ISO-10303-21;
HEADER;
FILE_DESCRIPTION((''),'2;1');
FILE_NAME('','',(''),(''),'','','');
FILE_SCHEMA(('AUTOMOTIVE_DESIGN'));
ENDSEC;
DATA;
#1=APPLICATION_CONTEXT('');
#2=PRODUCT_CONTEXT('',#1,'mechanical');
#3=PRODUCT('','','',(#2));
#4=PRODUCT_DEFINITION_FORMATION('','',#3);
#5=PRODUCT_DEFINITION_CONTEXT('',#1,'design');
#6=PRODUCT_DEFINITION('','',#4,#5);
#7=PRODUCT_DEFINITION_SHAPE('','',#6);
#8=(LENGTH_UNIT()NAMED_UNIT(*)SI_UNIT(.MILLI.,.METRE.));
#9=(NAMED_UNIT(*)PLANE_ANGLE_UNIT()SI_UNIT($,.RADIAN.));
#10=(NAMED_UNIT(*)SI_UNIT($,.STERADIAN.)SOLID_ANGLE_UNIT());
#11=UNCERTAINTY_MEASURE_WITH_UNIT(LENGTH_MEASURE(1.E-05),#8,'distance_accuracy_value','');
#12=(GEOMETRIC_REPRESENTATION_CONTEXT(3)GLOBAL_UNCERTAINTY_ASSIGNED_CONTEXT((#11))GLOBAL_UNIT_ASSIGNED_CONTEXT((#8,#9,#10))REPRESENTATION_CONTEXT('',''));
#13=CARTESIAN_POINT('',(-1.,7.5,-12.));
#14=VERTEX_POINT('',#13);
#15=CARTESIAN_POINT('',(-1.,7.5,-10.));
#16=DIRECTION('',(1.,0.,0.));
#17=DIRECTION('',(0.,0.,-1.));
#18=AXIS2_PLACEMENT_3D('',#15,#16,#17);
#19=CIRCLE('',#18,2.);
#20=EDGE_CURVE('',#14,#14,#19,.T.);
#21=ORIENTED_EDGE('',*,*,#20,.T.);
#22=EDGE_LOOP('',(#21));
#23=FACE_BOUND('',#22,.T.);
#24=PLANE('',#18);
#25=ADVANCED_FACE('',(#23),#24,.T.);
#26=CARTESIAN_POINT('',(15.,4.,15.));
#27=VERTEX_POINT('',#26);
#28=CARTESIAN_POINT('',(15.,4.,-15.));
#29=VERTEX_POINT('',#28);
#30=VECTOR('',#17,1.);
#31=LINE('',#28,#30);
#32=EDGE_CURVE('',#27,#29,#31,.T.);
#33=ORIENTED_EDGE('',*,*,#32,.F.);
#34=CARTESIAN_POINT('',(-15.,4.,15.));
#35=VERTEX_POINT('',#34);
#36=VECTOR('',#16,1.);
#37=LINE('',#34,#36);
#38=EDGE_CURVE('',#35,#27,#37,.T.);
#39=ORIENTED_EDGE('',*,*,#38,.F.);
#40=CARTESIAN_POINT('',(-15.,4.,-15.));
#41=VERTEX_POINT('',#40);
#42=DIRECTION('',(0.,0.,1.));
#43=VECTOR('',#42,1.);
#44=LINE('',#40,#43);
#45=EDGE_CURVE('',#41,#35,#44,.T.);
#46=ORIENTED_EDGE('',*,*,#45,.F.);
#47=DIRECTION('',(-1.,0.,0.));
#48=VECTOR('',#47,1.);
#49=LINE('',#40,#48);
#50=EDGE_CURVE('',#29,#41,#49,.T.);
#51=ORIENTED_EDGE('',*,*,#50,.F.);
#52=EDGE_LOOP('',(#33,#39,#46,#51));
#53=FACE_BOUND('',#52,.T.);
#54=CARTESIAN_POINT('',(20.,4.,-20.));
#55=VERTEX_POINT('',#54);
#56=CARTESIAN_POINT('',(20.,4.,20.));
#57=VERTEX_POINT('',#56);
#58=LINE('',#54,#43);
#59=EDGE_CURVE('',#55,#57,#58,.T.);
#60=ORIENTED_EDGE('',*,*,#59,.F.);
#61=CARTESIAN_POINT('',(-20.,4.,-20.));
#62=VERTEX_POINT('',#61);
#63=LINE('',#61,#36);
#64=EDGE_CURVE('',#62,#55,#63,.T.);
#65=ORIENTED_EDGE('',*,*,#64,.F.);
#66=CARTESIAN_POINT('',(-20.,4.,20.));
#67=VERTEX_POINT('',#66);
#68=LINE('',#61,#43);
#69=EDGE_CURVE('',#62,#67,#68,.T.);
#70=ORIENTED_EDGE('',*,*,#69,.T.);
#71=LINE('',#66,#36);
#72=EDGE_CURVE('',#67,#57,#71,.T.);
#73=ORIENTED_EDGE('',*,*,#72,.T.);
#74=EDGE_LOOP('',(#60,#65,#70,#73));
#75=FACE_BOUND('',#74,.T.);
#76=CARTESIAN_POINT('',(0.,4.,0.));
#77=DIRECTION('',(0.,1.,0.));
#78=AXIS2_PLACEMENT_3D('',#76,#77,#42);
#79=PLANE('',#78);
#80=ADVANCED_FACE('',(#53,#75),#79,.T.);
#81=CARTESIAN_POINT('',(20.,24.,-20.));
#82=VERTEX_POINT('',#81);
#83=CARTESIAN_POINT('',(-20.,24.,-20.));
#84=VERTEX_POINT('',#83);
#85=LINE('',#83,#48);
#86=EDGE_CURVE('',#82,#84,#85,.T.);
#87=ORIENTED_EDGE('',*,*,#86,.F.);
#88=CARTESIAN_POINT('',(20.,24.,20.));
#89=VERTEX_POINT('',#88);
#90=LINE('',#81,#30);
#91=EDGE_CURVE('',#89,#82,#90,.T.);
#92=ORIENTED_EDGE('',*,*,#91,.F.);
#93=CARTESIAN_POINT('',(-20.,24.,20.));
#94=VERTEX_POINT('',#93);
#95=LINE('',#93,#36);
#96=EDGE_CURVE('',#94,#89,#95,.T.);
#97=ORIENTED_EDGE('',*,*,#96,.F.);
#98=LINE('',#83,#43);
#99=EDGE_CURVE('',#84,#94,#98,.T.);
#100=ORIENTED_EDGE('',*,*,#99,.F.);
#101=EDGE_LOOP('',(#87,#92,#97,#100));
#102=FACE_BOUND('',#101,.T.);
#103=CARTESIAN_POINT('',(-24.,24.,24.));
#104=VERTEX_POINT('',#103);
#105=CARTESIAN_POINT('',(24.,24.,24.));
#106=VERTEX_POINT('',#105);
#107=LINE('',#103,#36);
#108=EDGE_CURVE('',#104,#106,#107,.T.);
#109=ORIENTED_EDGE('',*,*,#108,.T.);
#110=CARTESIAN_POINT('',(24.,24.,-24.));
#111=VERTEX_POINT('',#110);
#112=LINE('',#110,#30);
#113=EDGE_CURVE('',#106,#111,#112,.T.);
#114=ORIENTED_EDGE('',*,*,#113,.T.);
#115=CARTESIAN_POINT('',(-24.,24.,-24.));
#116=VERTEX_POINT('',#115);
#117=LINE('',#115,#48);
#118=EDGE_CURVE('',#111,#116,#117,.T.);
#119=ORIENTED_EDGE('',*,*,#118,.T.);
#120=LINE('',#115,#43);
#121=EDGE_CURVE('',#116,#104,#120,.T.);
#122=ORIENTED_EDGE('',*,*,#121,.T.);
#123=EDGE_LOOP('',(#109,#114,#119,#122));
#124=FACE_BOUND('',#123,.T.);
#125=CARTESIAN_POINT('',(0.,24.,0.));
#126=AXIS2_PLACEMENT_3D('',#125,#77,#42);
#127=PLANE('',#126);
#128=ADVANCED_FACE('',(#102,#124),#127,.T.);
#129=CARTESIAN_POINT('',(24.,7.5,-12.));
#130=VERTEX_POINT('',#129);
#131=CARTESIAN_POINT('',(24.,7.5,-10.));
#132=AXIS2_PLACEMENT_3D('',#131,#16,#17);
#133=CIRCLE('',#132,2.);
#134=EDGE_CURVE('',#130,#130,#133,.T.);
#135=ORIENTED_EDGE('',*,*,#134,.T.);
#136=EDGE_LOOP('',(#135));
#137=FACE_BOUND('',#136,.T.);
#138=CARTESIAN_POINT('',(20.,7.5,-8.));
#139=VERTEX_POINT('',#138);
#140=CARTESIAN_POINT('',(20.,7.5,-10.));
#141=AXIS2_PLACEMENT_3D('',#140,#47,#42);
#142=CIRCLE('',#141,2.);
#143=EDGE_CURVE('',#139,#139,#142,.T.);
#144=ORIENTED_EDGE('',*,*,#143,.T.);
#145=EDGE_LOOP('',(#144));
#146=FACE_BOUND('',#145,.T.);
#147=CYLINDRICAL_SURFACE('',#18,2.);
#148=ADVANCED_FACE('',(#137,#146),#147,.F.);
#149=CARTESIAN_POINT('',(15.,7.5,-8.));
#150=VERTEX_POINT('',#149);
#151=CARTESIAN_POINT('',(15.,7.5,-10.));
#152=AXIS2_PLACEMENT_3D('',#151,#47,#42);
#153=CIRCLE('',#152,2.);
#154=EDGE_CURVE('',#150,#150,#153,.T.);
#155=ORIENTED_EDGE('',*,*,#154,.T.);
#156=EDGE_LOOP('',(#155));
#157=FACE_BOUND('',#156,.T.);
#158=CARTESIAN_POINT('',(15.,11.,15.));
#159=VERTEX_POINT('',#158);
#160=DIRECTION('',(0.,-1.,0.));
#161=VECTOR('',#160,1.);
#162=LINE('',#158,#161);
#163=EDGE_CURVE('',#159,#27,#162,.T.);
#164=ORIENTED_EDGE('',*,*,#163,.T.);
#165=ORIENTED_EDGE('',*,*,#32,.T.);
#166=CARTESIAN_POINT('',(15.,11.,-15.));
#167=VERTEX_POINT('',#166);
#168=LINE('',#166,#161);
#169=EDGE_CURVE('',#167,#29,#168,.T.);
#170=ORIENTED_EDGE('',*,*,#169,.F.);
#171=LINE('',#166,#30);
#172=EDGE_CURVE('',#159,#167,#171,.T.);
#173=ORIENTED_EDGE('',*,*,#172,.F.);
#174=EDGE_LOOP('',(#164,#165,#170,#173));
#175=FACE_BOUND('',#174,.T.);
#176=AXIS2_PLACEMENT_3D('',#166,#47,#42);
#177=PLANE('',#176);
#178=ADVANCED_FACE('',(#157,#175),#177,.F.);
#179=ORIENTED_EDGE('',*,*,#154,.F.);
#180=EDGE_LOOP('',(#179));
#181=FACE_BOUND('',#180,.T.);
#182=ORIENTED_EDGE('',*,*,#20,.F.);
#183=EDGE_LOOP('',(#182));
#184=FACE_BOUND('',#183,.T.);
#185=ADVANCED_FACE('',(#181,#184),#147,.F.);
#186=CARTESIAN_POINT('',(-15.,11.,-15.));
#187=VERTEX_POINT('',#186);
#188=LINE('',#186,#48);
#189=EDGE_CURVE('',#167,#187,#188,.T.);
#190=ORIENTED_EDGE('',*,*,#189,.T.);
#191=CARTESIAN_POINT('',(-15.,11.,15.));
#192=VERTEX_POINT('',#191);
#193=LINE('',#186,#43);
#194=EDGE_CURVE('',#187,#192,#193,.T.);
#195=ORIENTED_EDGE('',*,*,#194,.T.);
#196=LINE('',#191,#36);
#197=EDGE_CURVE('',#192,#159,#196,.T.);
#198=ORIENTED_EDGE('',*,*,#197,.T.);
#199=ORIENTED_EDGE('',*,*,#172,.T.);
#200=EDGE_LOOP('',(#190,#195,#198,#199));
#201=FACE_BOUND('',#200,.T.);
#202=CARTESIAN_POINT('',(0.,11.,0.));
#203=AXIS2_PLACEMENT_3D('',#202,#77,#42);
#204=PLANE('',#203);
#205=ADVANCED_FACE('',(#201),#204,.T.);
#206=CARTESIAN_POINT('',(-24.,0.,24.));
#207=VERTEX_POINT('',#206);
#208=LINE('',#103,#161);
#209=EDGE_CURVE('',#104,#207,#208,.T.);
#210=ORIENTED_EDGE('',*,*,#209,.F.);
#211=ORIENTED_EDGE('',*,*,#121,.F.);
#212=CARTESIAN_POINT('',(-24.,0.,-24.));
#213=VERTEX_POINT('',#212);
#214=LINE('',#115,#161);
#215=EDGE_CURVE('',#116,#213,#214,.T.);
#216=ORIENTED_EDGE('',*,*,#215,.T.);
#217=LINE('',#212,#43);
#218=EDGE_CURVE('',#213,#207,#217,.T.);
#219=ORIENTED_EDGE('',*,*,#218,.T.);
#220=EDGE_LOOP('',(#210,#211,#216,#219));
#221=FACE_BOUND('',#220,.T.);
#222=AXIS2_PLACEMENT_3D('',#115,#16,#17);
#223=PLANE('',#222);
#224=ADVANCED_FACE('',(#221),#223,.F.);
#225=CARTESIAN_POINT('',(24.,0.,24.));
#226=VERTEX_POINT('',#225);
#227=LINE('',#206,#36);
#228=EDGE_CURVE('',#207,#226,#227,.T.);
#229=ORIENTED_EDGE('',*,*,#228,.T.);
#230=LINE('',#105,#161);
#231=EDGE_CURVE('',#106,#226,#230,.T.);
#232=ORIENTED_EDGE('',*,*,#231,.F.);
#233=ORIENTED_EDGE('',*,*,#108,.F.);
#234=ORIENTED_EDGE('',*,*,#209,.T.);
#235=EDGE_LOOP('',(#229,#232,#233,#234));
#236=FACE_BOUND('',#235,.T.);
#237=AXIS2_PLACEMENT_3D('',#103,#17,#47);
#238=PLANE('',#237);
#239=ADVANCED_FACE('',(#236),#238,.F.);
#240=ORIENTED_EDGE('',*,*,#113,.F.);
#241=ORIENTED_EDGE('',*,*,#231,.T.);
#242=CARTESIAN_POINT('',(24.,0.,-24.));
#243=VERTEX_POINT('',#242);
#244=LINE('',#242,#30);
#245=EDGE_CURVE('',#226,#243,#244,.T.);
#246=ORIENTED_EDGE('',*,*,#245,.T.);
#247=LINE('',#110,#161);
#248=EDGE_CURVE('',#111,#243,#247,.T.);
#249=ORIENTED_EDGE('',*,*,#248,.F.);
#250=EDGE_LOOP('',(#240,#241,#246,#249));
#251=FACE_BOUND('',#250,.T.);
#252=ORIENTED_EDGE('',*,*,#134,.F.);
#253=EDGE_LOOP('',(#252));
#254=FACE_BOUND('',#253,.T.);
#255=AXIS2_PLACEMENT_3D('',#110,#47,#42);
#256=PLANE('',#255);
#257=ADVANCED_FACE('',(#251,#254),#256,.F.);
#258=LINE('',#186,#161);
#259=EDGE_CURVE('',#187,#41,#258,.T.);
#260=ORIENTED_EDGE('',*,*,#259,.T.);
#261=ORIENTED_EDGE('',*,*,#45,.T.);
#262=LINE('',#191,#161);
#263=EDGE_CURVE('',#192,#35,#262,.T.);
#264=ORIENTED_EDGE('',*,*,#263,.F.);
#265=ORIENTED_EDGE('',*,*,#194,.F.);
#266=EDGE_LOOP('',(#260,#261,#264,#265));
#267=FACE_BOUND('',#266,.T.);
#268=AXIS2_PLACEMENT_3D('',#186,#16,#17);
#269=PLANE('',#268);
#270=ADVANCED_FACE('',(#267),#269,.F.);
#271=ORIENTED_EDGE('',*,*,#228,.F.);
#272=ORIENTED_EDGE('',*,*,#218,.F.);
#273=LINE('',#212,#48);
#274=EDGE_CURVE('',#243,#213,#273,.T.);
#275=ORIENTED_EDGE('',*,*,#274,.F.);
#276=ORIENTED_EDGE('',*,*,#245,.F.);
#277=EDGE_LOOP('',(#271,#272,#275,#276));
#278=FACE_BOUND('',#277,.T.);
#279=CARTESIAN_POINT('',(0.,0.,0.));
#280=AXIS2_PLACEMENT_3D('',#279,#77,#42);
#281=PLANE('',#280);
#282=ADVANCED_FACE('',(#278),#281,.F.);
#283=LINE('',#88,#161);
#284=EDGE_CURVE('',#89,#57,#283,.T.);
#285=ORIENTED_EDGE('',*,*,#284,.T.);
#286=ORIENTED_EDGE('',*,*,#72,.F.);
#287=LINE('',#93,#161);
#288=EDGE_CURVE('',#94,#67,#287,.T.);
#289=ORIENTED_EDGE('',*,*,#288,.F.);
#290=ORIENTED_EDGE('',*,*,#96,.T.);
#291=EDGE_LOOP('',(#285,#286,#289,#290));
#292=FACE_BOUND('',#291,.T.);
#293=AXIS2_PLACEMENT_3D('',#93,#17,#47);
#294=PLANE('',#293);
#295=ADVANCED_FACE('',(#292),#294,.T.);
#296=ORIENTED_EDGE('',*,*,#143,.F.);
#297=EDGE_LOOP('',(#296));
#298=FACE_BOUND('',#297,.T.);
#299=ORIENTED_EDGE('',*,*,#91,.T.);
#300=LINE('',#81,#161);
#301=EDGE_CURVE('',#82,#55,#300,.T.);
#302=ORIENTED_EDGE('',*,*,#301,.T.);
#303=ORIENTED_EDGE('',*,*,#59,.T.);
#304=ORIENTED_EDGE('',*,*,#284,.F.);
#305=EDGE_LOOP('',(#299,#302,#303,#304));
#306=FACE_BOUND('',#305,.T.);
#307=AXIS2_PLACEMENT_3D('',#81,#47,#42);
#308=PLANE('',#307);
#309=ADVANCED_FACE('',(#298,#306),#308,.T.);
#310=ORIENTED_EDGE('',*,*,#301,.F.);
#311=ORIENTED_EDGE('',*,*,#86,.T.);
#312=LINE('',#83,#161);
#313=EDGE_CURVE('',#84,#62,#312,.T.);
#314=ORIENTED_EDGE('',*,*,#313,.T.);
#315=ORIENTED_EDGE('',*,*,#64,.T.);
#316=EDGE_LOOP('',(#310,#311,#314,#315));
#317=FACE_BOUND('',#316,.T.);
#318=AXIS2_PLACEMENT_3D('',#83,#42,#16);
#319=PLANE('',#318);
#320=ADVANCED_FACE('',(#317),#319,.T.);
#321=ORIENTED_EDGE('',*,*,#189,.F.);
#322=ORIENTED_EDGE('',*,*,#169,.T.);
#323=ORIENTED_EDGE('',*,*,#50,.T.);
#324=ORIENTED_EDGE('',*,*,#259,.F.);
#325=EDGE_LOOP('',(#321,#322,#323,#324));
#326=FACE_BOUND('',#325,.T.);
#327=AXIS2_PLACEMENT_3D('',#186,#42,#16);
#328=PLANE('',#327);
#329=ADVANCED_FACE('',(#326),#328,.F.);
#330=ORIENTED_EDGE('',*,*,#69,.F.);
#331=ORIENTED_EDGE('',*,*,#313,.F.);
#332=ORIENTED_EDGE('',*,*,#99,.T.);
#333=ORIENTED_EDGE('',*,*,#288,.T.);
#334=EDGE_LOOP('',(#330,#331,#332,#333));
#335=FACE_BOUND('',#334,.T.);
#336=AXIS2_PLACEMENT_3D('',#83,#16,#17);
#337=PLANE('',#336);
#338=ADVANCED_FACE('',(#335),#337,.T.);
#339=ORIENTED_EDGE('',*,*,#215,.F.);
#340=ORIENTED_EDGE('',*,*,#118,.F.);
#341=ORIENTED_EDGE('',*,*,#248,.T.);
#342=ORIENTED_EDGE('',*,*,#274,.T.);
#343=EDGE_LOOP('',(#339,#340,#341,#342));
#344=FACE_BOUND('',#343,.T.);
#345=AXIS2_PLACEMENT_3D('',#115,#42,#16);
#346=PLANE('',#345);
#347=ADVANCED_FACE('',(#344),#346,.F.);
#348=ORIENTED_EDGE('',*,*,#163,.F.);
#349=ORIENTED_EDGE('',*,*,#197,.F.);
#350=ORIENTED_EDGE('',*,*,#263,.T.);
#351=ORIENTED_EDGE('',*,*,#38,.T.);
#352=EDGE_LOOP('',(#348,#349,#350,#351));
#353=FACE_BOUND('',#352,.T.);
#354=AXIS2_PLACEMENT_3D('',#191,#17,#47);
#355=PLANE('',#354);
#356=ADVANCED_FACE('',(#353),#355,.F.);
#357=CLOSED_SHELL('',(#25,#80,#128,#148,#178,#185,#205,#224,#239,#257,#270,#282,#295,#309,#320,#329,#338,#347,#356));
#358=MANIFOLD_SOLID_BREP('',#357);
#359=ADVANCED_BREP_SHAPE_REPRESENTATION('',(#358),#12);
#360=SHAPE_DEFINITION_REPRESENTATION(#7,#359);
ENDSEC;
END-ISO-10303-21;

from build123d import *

# Parameters (mm, degrees)
SKETCH1_W           = 48
SKETCH1_H           = 48
SKETCH1_W_2         = 40
SKETCH1_H_2         = 40
BOSS_EXTRUDE1_DEPTH = 24
SKETCH1_5_W         = 40
SKETCH1_5_H         = 40
BOSS_EXTRUDE2_DEPTH = 4
SKETCH3_W           = 30
SKETCH3_H           = 30
BOSS_EXTRUDE3_DEPTH = 7
SKETCH4_R           = 2
CUT_EXTRUDE1_DEPTH  = 25


with BuildPart() as part:
    # Sketch1 → Boss-Extrude1 (new body)
    with BuildSketch(Plane(origin=(0, 0, 0), x_dir=(1, 0, 0), z_dir=(0, 1, 0))):
        Rectangle(SKETCH1_W, SKETCH1_H)
        Rectangle(SKETCH1_W_2, SKETCH1_H_2, mode=Mode.SUBTRACT)
    extrude(amount=BOSS_EXTRUDE1_DEPTH)

    # Sketch1<5> → Boss-Extrude2 (add)
    with BuildSketch(Plane(origin=(0, 0, 0), x_dir=(1, 0, 0), z_dir=(0, 1, 0))):
        Rectangle(SKETCH1_5_W, SKETCH1_5_H)
    extrude(amount=BOSS_EXTRUDE2_DEPTH)

    # Sketch3 → Boss-Extrude3 (add)
    with BuildSketch(Plane(origin=(0, 4, 0), x_dir=(1, 0, 0), z_dir=(0, 1, 0))):
        Rectangle(SKETCH3_W, SKETCH3_H)
    extrude(amount=BOSS_EXTRUDE3_DEPTH)

    # Sketch4 → Cut-Extrude1 (cut)
    with BuildSketch(Plane(origin=(24, 0, 0), x_dir=(0, 0, -1), z_dir=(1, 0, 0))):
        with Locations((10, 7.5)):
            Circle(SKETCH4_R)
    extrude(amount=-CUT_EXTRUDE1_DEPTH, mode=Mode.SUBTRACT)


solid = part.part
